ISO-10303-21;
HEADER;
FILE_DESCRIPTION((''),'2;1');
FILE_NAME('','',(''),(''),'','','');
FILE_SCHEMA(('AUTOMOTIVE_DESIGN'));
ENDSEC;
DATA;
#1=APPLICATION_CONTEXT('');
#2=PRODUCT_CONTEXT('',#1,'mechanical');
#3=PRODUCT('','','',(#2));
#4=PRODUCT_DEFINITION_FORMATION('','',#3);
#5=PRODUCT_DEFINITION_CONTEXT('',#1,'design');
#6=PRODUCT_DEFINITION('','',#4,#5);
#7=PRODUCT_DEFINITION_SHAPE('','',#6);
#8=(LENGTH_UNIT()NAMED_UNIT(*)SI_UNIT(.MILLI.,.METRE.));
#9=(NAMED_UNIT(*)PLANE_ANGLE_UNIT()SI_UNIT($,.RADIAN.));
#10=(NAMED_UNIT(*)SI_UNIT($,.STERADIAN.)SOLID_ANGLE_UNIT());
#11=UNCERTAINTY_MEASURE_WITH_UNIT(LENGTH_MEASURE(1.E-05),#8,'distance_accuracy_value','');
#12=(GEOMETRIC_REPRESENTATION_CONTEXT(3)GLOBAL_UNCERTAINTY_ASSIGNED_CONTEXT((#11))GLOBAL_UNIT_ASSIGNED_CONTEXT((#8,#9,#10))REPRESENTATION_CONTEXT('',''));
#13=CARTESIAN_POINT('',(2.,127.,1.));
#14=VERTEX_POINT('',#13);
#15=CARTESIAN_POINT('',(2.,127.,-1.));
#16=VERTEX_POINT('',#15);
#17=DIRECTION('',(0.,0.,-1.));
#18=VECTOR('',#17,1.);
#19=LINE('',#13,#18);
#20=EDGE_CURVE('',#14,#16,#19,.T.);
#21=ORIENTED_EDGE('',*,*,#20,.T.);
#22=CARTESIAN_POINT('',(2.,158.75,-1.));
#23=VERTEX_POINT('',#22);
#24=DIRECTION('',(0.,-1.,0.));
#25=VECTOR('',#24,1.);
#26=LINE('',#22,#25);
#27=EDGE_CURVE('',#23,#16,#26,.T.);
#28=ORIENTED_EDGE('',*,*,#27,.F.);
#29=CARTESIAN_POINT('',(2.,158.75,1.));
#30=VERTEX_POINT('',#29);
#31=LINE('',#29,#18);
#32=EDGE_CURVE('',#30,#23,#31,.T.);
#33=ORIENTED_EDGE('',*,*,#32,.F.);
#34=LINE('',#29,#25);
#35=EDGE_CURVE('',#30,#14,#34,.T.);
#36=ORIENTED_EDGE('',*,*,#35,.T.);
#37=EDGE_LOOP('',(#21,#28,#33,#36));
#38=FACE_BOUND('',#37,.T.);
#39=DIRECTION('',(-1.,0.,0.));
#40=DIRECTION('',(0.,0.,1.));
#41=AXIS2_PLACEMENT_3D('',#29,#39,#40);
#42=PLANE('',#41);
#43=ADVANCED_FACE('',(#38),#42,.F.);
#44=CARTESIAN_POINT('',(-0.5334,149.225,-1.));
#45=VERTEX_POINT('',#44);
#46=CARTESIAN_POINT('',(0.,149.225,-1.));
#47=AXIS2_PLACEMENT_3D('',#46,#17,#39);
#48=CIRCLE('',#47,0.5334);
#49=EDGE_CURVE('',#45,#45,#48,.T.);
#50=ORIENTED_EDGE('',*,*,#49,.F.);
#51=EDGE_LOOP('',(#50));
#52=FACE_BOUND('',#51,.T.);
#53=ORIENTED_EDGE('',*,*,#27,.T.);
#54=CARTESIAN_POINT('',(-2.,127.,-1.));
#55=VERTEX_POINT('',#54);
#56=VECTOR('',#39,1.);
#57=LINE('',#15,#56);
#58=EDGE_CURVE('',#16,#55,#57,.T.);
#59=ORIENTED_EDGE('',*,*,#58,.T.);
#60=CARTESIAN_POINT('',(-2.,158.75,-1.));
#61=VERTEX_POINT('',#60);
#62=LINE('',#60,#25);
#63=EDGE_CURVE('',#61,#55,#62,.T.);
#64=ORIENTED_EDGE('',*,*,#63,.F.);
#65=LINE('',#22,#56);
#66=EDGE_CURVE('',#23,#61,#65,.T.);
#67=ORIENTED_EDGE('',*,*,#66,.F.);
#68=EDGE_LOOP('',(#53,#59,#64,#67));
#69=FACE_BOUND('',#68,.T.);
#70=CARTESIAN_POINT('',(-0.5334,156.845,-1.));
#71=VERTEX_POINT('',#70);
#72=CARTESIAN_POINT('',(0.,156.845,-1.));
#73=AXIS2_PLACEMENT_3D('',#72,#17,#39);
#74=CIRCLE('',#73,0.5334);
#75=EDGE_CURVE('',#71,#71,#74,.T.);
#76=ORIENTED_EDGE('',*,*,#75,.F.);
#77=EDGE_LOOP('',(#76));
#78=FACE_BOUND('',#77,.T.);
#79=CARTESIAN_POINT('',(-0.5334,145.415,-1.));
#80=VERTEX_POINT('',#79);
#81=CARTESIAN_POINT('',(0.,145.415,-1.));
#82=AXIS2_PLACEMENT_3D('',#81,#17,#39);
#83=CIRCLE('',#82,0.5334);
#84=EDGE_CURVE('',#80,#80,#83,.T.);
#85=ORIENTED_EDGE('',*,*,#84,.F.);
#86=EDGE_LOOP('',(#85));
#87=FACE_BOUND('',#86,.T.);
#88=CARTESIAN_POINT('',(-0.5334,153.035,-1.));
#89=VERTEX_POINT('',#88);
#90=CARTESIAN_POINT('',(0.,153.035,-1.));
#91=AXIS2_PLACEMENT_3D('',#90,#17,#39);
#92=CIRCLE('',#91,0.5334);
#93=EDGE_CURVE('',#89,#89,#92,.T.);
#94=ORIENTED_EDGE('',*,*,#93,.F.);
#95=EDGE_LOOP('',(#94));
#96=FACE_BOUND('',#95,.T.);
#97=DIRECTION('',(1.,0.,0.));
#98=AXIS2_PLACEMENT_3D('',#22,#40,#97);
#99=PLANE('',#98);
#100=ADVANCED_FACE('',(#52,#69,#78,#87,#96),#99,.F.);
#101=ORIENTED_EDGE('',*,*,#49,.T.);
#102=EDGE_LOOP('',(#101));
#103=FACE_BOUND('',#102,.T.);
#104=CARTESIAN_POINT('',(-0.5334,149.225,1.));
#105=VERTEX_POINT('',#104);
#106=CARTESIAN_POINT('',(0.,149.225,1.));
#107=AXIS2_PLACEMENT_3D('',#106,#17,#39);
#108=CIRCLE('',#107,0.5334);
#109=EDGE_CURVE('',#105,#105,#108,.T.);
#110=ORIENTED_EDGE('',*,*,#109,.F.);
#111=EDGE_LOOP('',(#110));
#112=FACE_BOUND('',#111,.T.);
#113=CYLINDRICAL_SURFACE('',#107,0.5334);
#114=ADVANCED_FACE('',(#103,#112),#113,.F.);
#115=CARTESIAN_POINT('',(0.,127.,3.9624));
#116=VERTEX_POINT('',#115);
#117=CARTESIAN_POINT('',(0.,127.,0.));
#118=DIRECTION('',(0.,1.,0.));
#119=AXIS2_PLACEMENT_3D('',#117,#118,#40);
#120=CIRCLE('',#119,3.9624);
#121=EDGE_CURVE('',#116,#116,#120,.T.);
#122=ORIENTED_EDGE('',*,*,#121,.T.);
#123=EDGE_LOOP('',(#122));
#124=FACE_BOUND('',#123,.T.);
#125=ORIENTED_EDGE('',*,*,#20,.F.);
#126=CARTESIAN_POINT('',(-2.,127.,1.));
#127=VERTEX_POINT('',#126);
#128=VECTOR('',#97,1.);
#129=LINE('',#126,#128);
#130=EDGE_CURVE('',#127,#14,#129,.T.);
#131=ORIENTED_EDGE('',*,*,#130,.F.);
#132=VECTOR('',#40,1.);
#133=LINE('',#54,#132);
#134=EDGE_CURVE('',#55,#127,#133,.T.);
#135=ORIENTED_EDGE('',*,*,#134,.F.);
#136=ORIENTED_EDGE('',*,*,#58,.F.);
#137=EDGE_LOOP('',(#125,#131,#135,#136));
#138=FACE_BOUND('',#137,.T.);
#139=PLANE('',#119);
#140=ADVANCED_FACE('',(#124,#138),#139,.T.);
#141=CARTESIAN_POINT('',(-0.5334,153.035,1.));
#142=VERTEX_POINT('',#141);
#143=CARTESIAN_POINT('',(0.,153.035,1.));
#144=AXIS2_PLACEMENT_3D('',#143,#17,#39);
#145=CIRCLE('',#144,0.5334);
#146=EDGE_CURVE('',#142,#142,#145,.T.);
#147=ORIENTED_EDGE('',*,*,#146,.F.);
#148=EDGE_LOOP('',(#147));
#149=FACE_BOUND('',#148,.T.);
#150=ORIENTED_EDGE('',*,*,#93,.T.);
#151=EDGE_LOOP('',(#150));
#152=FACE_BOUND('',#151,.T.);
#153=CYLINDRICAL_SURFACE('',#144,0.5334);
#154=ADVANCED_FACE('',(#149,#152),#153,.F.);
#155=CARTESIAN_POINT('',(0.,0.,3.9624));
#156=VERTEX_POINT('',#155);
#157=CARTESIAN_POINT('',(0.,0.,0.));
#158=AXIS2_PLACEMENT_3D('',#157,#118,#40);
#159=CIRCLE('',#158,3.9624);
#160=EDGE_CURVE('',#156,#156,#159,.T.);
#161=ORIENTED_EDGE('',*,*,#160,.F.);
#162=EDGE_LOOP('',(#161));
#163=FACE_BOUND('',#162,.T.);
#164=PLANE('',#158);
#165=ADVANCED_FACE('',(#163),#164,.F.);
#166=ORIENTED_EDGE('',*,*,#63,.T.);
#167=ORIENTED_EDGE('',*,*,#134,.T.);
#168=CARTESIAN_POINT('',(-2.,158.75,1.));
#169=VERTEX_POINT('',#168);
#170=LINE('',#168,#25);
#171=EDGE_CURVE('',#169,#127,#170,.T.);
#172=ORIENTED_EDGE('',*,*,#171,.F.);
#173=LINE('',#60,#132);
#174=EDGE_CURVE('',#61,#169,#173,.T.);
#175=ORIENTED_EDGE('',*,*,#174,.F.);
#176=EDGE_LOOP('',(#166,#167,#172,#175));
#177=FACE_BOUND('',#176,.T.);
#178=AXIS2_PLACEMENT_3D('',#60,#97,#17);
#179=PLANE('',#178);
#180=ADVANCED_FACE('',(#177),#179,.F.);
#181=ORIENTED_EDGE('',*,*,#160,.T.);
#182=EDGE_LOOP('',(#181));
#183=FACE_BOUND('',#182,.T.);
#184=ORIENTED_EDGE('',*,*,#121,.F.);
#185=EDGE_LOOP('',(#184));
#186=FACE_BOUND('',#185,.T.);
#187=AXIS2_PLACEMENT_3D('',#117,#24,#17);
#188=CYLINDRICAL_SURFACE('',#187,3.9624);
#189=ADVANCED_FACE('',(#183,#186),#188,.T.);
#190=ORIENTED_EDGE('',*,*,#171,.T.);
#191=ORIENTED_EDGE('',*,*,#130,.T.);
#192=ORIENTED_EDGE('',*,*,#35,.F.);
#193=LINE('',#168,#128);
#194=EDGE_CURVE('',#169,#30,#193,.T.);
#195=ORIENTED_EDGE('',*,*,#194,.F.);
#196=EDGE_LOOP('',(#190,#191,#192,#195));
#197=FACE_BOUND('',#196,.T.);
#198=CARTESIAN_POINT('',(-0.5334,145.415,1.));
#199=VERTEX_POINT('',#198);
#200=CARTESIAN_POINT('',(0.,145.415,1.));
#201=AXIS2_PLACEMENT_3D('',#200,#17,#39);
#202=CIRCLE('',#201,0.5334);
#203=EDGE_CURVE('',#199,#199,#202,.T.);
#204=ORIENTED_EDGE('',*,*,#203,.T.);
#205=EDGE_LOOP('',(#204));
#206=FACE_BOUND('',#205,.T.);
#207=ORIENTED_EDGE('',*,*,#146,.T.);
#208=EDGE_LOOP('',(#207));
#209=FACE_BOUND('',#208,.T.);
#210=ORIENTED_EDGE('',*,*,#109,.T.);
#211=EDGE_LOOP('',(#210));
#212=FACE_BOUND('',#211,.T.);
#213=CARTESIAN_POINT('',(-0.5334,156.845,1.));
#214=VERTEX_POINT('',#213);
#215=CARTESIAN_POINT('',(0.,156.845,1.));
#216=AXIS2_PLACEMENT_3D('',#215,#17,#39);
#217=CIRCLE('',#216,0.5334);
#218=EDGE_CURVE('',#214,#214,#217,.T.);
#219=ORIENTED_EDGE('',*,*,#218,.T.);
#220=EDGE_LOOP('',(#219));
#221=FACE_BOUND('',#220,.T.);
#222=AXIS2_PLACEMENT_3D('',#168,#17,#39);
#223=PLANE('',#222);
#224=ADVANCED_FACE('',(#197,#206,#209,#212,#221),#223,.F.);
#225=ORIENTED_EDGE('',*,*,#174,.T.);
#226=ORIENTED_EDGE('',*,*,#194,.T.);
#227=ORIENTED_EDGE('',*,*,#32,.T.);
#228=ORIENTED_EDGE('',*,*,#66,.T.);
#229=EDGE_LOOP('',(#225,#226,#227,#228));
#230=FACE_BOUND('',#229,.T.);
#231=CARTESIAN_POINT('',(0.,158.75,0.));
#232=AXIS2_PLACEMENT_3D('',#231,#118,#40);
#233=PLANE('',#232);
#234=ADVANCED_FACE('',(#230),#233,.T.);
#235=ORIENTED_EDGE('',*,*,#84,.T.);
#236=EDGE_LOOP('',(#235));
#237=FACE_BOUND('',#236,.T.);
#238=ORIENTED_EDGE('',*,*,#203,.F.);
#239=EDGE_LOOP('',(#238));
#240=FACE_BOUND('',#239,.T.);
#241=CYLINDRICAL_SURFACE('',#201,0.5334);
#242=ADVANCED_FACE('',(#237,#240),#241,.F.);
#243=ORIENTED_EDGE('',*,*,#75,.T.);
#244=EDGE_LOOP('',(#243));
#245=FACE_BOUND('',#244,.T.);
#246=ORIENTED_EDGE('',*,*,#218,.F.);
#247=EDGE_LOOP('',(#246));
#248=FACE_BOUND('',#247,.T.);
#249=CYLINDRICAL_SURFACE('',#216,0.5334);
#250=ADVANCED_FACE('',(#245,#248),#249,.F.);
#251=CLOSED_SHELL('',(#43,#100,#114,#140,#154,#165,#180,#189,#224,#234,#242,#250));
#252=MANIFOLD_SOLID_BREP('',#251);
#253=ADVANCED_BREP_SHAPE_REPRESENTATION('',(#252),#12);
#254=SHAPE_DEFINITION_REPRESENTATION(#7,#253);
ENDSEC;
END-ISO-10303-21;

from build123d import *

# Parameters (mm, degrees)
SKETCH1_R           = 3.9624
BOSS_EXTRUDE1_DEPTH = 127
SKETCH4_W           = 4.000000128
SKETCH4_H           = 2
BOSS_EXTRUDE2_DEPTH = 31.75
SKETCH5_R           = 0.5334
CUT_EXTRUDE1_DEPTH  = 2


with BuildPart() as part:
    # Sketch1 → Boss-Extrude1 (new body)
    with BuildSketch(Plane(origin=(0, 0, 0), x_dir=(1, 0, 0), z_dir=(0, 1, 0))):
        with Locations(Location((0, 0, 0), (0, 0, 270))):
            Circle(SKETCH1_R)
    extrude(amount=BOSS_EXTRUDE1_DEPTH)

    # Sketch4 → Boss-Extrude2 (add)
    with BuildSketch(Plane(origin=(0, 127, 0), x_dir=(1, 0, 0), z_dir=(0, 1, 0))):
        with Locations((6.4e-08, 0)):
            Rectangle(SKETCH4_W, SKETCH4_H)
    extrude(amount=BOSS_EXTRUDE2_DEPTH)

    # Sketch5 → Cut-Extrude1 (cut)
    with BuildSketch(Plane(origin=(0, 0, -1), x_dir=(-1, 0, 0), z_dir=(0, 0, -1))):
        with Locations((0, 156.845)):
            Circle(SKETCH5_R)
        with Locations((0, 153.035)):
            Circle(SKETCH5_R)
        with Locations((0, 149.225)):
            Circle(SKETCH5_R)
        with Locations((0, 145.415)):
            Circle(SKETCH5_R)
    extrude(amount=-CUT_EXTRUDE1_DEPTH, mode=Mode.SUBTRACT)


solid = part.part
